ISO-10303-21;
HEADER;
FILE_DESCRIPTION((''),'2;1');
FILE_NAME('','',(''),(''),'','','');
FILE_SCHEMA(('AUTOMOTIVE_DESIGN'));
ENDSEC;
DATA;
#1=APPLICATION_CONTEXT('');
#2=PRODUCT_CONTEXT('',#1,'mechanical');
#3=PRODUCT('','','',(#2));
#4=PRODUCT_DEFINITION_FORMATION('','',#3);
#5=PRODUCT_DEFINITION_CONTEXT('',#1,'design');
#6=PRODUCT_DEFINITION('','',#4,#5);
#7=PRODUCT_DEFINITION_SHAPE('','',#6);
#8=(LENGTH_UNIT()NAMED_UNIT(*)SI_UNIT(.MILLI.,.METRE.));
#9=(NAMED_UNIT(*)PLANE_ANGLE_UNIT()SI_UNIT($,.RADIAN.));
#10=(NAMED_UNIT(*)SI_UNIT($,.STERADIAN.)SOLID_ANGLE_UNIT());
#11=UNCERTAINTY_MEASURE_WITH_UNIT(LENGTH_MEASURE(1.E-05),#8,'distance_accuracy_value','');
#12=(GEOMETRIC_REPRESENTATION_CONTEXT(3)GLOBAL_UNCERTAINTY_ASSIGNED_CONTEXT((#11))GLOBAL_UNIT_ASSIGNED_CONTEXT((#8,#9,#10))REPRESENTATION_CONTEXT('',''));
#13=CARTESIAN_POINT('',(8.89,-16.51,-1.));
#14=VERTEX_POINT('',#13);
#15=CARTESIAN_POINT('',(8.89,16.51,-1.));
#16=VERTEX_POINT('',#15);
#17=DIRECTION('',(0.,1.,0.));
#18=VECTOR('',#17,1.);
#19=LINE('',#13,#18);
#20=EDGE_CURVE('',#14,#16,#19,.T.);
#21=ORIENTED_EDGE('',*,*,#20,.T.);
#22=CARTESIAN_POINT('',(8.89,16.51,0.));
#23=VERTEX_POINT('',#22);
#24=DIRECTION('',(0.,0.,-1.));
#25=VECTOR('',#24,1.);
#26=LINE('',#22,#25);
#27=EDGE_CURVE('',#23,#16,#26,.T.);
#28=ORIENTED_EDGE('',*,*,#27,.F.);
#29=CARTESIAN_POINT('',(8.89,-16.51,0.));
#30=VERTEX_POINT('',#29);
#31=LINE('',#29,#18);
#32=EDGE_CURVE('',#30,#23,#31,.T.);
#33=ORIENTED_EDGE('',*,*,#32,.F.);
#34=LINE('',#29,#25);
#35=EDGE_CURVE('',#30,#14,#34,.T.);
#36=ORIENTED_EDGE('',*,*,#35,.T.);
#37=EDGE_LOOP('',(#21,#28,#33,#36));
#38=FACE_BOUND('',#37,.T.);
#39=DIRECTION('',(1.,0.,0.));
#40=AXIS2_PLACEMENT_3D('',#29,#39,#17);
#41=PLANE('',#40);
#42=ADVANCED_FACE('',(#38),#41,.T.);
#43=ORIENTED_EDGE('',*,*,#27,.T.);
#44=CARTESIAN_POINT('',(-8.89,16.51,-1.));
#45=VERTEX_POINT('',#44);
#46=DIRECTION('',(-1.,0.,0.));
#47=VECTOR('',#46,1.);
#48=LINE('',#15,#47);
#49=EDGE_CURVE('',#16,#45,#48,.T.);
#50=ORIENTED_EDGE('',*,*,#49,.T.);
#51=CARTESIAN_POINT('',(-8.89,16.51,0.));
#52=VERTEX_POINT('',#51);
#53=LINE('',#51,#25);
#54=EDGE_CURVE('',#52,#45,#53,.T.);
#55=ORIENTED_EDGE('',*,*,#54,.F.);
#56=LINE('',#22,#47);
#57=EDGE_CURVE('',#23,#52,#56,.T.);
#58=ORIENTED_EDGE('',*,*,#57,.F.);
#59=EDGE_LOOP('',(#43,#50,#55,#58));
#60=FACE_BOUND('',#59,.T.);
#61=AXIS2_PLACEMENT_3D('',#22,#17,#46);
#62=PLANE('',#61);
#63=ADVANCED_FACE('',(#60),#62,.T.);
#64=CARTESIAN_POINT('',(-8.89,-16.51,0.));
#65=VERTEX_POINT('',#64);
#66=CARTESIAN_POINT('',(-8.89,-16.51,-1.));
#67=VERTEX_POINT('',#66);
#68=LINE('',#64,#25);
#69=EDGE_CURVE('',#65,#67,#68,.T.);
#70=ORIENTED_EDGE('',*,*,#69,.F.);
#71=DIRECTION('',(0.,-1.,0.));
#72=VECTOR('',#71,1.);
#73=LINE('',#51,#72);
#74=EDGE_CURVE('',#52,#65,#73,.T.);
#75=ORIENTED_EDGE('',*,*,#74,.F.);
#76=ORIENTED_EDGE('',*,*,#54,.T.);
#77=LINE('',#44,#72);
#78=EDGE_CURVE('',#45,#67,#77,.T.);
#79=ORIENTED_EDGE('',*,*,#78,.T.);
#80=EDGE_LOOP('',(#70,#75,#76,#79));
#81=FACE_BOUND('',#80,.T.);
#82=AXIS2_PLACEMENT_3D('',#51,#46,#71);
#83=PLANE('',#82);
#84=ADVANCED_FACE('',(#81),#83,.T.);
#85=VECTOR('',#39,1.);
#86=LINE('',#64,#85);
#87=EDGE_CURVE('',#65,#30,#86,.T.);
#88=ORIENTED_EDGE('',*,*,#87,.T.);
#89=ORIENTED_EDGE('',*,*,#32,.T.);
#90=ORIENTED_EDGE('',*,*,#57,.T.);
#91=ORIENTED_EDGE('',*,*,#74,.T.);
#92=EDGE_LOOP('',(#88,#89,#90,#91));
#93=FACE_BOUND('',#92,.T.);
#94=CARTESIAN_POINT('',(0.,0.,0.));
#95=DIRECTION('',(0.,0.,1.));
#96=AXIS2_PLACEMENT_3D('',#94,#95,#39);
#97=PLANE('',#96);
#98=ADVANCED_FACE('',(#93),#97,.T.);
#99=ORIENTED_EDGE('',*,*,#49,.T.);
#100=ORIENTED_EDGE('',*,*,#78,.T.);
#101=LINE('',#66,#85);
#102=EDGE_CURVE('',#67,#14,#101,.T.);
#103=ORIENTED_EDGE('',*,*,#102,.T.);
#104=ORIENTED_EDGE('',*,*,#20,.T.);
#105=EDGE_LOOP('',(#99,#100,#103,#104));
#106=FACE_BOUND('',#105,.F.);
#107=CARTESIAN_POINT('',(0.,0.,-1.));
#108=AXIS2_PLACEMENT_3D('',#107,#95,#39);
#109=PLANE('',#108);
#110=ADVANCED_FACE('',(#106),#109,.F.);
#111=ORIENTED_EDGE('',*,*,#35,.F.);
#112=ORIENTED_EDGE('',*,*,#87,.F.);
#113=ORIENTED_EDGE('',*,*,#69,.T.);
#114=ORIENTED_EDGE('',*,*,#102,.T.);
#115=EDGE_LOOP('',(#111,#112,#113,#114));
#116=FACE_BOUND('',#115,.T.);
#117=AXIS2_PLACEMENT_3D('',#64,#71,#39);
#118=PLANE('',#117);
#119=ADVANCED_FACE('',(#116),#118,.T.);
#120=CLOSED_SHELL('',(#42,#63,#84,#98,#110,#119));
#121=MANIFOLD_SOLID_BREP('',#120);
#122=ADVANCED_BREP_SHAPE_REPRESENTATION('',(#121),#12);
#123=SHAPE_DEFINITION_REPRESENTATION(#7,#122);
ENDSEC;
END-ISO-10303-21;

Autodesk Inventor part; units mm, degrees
ref_plane "YZ Plane" through (0, 0, 0) normal (1, 0, 0) x (0, 1, 0)
ref_plane "XZ Plane" through (0, 0, 0) normal (0, 1, 0) x (-1, 0, 0)
ref_plane "XY Plane" through (0, 0, 0) normal (0, 0, 1) x (1, 0, 0)
sketch "Sketch1" plane through (0, 0, 0) normal (0, 0, 1) x (1, 0, 0)
  line L0 (-8.89, -16.51) -> (8.89, -16.51)
  line L1 (8.89, -16.51) -> (8.89, 16.51)
  line L2 (8.89, 16.51) -> (-8.89, 16.51)
  line L3 (-8.89, 16.51) -> (-8.89, -16.51)
  line L4 (-8.89, -16.51) -> (8.89, 16.51) construction
  line L5 (8.89, -16.51) -> (-8.89, 16.51) construction
  point P0 (0, 0)
  point P1 (0, 0)
  point P2 (0, 0)
  dimension "d0" = 33.02
  dimension "d1" = 17.78
extrude "Extrusion1" add sketch "Sketch1" against normal blind 1
properties part number "arduino"
